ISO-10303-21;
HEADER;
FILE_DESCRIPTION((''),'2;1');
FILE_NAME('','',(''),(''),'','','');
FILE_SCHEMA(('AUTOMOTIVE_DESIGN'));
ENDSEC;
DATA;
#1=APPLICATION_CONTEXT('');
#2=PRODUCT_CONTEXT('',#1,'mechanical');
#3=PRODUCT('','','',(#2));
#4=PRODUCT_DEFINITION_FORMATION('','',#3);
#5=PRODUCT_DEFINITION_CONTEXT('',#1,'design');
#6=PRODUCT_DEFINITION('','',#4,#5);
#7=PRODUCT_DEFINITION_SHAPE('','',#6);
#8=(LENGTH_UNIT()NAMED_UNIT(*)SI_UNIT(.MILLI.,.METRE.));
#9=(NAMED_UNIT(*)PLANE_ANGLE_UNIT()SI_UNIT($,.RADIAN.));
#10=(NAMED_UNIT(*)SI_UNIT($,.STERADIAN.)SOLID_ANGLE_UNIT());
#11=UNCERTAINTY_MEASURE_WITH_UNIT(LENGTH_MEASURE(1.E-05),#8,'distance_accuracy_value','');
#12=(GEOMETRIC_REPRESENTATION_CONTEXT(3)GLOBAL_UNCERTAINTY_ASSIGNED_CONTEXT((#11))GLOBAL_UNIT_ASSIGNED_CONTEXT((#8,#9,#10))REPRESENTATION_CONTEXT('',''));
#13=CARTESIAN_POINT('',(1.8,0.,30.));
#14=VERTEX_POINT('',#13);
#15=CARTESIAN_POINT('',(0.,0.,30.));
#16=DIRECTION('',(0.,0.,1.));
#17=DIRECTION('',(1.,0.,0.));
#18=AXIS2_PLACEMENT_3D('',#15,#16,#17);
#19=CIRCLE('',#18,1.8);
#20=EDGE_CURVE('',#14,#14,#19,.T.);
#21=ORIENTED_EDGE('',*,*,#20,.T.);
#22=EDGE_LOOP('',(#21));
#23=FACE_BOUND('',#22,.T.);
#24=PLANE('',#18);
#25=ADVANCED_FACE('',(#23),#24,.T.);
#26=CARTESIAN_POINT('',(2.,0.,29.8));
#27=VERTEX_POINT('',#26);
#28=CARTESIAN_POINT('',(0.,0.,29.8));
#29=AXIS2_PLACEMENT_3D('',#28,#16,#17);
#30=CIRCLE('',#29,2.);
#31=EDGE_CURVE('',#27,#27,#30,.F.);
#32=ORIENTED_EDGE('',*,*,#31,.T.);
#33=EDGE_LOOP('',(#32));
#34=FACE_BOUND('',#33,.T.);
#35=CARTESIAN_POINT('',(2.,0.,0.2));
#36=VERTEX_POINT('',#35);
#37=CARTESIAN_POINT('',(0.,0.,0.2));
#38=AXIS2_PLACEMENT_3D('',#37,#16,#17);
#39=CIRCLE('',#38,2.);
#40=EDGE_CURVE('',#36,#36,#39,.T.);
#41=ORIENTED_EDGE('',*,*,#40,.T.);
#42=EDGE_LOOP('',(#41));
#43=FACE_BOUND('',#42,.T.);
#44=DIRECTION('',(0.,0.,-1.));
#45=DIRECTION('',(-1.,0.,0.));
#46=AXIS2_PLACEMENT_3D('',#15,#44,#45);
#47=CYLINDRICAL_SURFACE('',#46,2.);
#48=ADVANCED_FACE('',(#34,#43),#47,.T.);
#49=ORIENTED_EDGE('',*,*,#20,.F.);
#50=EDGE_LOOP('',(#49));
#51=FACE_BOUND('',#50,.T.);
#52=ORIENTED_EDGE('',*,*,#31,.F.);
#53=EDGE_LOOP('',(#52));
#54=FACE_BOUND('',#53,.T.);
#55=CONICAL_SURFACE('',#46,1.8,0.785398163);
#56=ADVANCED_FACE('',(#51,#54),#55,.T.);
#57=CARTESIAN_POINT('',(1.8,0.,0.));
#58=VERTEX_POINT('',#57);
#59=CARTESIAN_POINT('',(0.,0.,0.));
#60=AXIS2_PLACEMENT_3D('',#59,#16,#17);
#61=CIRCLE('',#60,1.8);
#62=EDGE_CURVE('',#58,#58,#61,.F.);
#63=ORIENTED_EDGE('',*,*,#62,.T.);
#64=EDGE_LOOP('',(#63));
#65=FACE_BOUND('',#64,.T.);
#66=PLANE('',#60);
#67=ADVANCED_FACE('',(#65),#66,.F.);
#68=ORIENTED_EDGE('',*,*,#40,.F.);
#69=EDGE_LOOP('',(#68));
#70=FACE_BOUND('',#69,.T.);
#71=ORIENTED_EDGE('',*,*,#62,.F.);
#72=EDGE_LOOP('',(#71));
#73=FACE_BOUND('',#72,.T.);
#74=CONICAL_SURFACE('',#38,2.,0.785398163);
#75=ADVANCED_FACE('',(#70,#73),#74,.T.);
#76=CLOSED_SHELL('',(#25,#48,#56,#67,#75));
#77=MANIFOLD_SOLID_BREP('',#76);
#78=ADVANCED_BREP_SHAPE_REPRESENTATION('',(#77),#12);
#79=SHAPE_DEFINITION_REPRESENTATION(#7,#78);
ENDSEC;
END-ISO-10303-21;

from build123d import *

# Parameters (mm, degrees)
SKETCH_1_R      = 2
EXTRUDE_1_DEPTH = 30
CHAMFER_1_SIZE  = 0.2


with BuildPart() as part:
    # 草图1 → 凸台-拉伸1 (new body)
    with BuildSketch(Plane.XY):
        Circle(SKETCH_1_R)
    extrude(amount=EXTRUDE_1_DEPTH)

    # 倒角1
    chamfer_1_edges = [part.edges().sort_by_distance(p)[0] for p in [
        (-2, 0, 0),
        (-2, 0, 30),
    ]]
    chamfer(chamfer_1_edges, length=CHAMFER_1_SIZE)


solid = part.part
